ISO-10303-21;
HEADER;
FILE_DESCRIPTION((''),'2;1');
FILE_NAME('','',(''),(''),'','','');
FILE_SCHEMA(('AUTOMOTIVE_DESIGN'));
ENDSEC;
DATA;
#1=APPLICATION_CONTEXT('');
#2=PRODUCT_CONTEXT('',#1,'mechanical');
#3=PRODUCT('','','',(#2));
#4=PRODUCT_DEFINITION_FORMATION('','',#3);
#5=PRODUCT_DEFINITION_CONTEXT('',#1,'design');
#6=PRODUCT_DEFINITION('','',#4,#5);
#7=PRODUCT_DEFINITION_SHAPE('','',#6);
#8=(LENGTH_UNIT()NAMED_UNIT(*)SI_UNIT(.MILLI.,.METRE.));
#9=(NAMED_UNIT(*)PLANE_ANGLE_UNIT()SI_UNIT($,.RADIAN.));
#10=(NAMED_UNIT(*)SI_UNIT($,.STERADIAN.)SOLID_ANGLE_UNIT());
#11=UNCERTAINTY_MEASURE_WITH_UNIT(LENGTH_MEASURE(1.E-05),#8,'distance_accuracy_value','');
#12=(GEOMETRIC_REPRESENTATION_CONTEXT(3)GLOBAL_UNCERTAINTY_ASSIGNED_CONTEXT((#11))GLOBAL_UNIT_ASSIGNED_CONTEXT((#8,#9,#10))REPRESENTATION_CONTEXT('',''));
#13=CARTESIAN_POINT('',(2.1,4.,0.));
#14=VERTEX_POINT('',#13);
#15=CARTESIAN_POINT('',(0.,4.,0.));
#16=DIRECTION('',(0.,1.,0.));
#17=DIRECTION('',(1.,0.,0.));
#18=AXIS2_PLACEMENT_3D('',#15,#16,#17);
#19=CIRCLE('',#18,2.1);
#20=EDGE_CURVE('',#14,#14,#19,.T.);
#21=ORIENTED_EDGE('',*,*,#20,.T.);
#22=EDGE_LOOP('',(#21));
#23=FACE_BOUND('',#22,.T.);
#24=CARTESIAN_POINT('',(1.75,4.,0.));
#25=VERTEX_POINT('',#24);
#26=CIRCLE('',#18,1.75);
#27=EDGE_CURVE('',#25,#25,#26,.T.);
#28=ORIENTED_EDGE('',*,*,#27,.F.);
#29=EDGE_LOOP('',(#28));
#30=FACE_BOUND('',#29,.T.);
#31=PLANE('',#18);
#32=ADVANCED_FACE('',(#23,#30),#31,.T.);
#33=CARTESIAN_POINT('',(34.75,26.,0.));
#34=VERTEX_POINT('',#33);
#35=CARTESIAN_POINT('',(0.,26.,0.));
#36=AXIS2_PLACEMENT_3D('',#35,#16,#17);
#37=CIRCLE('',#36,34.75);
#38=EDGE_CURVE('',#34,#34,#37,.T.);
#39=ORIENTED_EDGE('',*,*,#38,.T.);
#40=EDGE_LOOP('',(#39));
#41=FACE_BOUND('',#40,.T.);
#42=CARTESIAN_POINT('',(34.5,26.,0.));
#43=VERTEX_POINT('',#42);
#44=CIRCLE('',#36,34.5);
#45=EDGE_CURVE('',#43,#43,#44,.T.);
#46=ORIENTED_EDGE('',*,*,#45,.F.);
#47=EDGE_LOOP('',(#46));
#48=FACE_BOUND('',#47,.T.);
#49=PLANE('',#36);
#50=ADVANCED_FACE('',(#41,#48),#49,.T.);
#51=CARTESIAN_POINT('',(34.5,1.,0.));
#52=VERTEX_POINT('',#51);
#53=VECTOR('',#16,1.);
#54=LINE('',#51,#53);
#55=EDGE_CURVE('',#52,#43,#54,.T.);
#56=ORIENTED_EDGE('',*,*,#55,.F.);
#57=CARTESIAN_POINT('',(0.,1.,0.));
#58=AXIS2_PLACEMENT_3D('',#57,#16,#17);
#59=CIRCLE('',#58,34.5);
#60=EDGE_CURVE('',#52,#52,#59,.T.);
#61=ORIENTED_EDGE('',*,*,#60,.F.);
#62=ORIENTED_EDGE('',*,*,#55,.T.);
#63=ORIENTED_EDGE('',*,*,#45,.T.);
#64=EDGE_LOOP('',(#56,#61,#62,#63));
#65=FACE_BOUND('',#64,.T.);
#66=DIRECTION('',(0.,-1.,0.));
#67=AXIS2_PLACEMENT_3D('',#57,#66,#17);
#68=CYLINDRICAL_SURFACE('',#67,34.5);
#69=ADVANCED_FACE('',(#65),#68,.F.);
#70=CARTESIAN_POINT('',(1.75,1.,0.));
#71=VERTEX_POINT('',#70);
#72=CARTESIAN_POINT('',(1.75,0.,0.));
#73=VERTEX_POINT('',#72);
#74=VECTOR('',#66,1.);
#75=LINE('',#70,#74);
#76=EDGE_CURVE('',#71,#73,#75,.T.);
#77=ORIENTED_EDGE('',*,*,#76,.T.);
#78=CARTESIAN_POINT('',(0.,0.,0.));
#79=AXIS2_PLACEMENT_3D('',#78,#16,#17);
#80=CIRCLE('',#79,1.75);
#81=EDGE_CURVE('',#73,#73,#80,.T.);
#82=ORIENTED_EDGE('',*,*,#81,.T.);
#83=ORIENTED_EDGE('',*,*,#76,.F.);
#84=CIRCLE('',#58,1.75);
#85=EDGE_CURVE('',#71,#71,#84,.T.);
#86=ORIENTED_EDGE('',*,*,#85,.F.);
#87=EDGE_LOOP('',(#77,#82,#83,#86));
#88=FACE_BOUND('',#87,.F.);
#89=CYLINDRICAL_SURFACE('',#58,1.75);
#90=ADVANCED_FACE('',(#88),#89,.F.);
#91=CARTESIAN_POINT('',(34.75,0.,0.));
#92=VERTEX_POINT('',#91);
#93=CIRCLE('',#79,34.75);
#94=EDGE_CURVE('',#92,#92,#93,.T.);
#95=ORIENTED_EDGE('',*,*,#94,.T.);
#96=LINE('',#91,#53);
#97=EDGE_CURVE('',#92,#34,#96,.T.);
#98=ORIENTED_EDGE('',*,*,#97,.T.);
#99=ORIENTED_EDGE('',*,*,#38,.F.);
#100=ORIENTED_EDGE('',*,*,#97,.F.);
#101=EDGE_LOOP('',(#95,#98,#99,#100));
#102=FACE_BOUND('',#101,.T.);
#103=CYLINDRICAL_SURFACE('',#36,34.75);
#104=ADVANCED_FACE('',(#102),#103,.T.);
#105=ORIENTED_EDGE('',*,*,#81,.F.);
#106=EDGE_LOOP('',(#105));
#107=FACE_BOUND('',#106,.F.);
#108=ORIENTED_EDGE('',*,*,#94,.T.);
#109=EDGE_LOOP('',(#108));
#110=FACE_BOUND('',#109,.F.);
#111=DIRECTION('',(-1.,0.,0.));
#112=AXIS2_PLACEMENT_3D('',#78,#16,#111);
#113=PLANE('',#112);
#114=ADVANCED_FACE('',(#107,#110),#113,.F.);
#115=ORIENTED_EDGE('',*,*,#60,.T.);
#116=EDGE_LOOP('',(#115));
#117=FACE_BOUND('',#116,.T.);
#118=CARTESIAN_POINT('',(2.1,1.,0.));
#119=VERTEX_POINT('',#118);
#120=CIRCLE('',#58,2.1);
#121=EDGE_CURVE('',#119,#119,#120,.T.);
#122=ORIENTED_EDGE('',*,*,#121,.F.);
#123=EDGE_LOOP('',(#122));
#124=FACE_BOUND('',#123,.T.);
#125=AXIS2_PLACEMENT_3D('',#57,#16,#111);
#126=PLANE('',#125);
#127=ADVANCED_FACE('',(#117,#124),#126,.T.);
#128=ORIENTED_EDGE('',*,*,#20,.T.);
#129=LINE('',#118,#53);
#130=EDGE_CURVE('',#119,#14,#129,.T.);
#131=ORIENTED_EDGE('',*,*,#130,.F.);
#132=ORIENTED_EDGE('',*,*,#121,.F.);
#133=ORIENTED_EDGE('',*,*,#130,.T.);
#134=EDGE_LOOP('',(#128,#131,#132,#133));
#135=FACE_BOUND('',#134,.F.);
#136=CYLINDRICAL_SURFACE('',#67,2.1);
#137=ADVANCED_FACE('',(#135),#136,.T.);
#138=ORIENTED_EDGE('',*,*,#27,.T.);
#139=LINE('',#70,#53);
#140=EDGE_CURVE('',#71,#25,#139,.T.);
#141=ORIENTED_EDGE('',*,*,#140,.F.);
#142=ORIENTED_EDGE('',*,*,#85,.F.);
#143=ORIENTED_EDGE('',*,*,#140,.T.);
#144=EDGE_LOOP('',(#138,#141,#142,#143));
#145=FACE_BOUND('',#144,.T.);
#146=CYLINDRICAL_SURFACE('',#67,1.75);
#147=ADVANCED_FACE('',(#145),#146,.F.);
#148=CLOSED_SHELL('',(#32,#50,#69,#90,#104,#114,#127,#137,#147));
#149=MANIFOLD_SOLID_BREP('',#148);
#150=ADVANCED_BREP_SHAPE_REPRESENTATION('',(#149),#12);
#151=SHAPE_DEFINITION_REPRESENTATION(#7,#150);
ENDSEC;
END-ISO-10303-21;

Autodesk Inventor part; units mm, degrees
ref_plane "YZ Plane" through (0, 0, 0) normal (1, 0, 0) x (0, 1, 0)
ref_plane "XZ Plane" through (0, 0, 0) normal (0, 1, 0) x (-1, 0, 0)
ref_plane "XY Plane" through (0, 0, 0) normal (0, 0, 1) x (1, 0, 0)
sketch "Boceto1" plane through (0, 0, 0) normal (0, 1, 0) x (-1, 0, 0)
  circle A0 centre (0, 0) radius 34.5
  circle A1 centre (0, 0) radius 35
  dimension "d0" = 69
  dimension "d1" = 70
extrude "Extrusión1" add sketch "Boceto1" along normal blind 1 contours A0 | A1
sketch "Boceto2" plane through (0, 1, 0) normal (0, 1, 0) x (1, 0, 0)
  circle A0 centre (0, 0) radius 34.5
  circle A1 centre (0, 0) radius 34.75
  dimension "d4" = 69
  dimension "d5" = 69.5
extrude "Extrusión2" add sketch "Boceto2" along normal blind 25
sketch "Boceto3" plane through (0, 1, 0) normal (0, 1, 0) x (1, 0, 0)
  circle A0 centre (0, 0) radius 2.1
  circle A1 centre (0, 0) radius 1.75
  dimension "d8" = 4.2
  dimension "d9" = 3.5
extrude "Extrusión3" add sketch "Boceto3" along normal blind 3
sketch "Boceto4" plane through (0, 1, 0) normal (0, 1, 0) x (1, 0, 0)
  circle A0 centre (0, 0) radius 1.75
  dimension "d14" = 3.5
extrude "Extrusión4" cut sketch "Boceto4" against normal through all
sketch "Boceto5" plane through (0, 26, 0) normal (0, 1, 0) x (1, 0, 0)
  circle A0 centre (0, 0) radius 35
  circle A1 centre (0, 0) radius 1.75 projected
  circle A2 centre (0, 0) radius 34.75
  dimension "d15" = 69.5
  dimension "d16" = 70
extrude "Extrusión5" cut sketch "Boceto5" against normal through all
properties part number "Molde_V002"
